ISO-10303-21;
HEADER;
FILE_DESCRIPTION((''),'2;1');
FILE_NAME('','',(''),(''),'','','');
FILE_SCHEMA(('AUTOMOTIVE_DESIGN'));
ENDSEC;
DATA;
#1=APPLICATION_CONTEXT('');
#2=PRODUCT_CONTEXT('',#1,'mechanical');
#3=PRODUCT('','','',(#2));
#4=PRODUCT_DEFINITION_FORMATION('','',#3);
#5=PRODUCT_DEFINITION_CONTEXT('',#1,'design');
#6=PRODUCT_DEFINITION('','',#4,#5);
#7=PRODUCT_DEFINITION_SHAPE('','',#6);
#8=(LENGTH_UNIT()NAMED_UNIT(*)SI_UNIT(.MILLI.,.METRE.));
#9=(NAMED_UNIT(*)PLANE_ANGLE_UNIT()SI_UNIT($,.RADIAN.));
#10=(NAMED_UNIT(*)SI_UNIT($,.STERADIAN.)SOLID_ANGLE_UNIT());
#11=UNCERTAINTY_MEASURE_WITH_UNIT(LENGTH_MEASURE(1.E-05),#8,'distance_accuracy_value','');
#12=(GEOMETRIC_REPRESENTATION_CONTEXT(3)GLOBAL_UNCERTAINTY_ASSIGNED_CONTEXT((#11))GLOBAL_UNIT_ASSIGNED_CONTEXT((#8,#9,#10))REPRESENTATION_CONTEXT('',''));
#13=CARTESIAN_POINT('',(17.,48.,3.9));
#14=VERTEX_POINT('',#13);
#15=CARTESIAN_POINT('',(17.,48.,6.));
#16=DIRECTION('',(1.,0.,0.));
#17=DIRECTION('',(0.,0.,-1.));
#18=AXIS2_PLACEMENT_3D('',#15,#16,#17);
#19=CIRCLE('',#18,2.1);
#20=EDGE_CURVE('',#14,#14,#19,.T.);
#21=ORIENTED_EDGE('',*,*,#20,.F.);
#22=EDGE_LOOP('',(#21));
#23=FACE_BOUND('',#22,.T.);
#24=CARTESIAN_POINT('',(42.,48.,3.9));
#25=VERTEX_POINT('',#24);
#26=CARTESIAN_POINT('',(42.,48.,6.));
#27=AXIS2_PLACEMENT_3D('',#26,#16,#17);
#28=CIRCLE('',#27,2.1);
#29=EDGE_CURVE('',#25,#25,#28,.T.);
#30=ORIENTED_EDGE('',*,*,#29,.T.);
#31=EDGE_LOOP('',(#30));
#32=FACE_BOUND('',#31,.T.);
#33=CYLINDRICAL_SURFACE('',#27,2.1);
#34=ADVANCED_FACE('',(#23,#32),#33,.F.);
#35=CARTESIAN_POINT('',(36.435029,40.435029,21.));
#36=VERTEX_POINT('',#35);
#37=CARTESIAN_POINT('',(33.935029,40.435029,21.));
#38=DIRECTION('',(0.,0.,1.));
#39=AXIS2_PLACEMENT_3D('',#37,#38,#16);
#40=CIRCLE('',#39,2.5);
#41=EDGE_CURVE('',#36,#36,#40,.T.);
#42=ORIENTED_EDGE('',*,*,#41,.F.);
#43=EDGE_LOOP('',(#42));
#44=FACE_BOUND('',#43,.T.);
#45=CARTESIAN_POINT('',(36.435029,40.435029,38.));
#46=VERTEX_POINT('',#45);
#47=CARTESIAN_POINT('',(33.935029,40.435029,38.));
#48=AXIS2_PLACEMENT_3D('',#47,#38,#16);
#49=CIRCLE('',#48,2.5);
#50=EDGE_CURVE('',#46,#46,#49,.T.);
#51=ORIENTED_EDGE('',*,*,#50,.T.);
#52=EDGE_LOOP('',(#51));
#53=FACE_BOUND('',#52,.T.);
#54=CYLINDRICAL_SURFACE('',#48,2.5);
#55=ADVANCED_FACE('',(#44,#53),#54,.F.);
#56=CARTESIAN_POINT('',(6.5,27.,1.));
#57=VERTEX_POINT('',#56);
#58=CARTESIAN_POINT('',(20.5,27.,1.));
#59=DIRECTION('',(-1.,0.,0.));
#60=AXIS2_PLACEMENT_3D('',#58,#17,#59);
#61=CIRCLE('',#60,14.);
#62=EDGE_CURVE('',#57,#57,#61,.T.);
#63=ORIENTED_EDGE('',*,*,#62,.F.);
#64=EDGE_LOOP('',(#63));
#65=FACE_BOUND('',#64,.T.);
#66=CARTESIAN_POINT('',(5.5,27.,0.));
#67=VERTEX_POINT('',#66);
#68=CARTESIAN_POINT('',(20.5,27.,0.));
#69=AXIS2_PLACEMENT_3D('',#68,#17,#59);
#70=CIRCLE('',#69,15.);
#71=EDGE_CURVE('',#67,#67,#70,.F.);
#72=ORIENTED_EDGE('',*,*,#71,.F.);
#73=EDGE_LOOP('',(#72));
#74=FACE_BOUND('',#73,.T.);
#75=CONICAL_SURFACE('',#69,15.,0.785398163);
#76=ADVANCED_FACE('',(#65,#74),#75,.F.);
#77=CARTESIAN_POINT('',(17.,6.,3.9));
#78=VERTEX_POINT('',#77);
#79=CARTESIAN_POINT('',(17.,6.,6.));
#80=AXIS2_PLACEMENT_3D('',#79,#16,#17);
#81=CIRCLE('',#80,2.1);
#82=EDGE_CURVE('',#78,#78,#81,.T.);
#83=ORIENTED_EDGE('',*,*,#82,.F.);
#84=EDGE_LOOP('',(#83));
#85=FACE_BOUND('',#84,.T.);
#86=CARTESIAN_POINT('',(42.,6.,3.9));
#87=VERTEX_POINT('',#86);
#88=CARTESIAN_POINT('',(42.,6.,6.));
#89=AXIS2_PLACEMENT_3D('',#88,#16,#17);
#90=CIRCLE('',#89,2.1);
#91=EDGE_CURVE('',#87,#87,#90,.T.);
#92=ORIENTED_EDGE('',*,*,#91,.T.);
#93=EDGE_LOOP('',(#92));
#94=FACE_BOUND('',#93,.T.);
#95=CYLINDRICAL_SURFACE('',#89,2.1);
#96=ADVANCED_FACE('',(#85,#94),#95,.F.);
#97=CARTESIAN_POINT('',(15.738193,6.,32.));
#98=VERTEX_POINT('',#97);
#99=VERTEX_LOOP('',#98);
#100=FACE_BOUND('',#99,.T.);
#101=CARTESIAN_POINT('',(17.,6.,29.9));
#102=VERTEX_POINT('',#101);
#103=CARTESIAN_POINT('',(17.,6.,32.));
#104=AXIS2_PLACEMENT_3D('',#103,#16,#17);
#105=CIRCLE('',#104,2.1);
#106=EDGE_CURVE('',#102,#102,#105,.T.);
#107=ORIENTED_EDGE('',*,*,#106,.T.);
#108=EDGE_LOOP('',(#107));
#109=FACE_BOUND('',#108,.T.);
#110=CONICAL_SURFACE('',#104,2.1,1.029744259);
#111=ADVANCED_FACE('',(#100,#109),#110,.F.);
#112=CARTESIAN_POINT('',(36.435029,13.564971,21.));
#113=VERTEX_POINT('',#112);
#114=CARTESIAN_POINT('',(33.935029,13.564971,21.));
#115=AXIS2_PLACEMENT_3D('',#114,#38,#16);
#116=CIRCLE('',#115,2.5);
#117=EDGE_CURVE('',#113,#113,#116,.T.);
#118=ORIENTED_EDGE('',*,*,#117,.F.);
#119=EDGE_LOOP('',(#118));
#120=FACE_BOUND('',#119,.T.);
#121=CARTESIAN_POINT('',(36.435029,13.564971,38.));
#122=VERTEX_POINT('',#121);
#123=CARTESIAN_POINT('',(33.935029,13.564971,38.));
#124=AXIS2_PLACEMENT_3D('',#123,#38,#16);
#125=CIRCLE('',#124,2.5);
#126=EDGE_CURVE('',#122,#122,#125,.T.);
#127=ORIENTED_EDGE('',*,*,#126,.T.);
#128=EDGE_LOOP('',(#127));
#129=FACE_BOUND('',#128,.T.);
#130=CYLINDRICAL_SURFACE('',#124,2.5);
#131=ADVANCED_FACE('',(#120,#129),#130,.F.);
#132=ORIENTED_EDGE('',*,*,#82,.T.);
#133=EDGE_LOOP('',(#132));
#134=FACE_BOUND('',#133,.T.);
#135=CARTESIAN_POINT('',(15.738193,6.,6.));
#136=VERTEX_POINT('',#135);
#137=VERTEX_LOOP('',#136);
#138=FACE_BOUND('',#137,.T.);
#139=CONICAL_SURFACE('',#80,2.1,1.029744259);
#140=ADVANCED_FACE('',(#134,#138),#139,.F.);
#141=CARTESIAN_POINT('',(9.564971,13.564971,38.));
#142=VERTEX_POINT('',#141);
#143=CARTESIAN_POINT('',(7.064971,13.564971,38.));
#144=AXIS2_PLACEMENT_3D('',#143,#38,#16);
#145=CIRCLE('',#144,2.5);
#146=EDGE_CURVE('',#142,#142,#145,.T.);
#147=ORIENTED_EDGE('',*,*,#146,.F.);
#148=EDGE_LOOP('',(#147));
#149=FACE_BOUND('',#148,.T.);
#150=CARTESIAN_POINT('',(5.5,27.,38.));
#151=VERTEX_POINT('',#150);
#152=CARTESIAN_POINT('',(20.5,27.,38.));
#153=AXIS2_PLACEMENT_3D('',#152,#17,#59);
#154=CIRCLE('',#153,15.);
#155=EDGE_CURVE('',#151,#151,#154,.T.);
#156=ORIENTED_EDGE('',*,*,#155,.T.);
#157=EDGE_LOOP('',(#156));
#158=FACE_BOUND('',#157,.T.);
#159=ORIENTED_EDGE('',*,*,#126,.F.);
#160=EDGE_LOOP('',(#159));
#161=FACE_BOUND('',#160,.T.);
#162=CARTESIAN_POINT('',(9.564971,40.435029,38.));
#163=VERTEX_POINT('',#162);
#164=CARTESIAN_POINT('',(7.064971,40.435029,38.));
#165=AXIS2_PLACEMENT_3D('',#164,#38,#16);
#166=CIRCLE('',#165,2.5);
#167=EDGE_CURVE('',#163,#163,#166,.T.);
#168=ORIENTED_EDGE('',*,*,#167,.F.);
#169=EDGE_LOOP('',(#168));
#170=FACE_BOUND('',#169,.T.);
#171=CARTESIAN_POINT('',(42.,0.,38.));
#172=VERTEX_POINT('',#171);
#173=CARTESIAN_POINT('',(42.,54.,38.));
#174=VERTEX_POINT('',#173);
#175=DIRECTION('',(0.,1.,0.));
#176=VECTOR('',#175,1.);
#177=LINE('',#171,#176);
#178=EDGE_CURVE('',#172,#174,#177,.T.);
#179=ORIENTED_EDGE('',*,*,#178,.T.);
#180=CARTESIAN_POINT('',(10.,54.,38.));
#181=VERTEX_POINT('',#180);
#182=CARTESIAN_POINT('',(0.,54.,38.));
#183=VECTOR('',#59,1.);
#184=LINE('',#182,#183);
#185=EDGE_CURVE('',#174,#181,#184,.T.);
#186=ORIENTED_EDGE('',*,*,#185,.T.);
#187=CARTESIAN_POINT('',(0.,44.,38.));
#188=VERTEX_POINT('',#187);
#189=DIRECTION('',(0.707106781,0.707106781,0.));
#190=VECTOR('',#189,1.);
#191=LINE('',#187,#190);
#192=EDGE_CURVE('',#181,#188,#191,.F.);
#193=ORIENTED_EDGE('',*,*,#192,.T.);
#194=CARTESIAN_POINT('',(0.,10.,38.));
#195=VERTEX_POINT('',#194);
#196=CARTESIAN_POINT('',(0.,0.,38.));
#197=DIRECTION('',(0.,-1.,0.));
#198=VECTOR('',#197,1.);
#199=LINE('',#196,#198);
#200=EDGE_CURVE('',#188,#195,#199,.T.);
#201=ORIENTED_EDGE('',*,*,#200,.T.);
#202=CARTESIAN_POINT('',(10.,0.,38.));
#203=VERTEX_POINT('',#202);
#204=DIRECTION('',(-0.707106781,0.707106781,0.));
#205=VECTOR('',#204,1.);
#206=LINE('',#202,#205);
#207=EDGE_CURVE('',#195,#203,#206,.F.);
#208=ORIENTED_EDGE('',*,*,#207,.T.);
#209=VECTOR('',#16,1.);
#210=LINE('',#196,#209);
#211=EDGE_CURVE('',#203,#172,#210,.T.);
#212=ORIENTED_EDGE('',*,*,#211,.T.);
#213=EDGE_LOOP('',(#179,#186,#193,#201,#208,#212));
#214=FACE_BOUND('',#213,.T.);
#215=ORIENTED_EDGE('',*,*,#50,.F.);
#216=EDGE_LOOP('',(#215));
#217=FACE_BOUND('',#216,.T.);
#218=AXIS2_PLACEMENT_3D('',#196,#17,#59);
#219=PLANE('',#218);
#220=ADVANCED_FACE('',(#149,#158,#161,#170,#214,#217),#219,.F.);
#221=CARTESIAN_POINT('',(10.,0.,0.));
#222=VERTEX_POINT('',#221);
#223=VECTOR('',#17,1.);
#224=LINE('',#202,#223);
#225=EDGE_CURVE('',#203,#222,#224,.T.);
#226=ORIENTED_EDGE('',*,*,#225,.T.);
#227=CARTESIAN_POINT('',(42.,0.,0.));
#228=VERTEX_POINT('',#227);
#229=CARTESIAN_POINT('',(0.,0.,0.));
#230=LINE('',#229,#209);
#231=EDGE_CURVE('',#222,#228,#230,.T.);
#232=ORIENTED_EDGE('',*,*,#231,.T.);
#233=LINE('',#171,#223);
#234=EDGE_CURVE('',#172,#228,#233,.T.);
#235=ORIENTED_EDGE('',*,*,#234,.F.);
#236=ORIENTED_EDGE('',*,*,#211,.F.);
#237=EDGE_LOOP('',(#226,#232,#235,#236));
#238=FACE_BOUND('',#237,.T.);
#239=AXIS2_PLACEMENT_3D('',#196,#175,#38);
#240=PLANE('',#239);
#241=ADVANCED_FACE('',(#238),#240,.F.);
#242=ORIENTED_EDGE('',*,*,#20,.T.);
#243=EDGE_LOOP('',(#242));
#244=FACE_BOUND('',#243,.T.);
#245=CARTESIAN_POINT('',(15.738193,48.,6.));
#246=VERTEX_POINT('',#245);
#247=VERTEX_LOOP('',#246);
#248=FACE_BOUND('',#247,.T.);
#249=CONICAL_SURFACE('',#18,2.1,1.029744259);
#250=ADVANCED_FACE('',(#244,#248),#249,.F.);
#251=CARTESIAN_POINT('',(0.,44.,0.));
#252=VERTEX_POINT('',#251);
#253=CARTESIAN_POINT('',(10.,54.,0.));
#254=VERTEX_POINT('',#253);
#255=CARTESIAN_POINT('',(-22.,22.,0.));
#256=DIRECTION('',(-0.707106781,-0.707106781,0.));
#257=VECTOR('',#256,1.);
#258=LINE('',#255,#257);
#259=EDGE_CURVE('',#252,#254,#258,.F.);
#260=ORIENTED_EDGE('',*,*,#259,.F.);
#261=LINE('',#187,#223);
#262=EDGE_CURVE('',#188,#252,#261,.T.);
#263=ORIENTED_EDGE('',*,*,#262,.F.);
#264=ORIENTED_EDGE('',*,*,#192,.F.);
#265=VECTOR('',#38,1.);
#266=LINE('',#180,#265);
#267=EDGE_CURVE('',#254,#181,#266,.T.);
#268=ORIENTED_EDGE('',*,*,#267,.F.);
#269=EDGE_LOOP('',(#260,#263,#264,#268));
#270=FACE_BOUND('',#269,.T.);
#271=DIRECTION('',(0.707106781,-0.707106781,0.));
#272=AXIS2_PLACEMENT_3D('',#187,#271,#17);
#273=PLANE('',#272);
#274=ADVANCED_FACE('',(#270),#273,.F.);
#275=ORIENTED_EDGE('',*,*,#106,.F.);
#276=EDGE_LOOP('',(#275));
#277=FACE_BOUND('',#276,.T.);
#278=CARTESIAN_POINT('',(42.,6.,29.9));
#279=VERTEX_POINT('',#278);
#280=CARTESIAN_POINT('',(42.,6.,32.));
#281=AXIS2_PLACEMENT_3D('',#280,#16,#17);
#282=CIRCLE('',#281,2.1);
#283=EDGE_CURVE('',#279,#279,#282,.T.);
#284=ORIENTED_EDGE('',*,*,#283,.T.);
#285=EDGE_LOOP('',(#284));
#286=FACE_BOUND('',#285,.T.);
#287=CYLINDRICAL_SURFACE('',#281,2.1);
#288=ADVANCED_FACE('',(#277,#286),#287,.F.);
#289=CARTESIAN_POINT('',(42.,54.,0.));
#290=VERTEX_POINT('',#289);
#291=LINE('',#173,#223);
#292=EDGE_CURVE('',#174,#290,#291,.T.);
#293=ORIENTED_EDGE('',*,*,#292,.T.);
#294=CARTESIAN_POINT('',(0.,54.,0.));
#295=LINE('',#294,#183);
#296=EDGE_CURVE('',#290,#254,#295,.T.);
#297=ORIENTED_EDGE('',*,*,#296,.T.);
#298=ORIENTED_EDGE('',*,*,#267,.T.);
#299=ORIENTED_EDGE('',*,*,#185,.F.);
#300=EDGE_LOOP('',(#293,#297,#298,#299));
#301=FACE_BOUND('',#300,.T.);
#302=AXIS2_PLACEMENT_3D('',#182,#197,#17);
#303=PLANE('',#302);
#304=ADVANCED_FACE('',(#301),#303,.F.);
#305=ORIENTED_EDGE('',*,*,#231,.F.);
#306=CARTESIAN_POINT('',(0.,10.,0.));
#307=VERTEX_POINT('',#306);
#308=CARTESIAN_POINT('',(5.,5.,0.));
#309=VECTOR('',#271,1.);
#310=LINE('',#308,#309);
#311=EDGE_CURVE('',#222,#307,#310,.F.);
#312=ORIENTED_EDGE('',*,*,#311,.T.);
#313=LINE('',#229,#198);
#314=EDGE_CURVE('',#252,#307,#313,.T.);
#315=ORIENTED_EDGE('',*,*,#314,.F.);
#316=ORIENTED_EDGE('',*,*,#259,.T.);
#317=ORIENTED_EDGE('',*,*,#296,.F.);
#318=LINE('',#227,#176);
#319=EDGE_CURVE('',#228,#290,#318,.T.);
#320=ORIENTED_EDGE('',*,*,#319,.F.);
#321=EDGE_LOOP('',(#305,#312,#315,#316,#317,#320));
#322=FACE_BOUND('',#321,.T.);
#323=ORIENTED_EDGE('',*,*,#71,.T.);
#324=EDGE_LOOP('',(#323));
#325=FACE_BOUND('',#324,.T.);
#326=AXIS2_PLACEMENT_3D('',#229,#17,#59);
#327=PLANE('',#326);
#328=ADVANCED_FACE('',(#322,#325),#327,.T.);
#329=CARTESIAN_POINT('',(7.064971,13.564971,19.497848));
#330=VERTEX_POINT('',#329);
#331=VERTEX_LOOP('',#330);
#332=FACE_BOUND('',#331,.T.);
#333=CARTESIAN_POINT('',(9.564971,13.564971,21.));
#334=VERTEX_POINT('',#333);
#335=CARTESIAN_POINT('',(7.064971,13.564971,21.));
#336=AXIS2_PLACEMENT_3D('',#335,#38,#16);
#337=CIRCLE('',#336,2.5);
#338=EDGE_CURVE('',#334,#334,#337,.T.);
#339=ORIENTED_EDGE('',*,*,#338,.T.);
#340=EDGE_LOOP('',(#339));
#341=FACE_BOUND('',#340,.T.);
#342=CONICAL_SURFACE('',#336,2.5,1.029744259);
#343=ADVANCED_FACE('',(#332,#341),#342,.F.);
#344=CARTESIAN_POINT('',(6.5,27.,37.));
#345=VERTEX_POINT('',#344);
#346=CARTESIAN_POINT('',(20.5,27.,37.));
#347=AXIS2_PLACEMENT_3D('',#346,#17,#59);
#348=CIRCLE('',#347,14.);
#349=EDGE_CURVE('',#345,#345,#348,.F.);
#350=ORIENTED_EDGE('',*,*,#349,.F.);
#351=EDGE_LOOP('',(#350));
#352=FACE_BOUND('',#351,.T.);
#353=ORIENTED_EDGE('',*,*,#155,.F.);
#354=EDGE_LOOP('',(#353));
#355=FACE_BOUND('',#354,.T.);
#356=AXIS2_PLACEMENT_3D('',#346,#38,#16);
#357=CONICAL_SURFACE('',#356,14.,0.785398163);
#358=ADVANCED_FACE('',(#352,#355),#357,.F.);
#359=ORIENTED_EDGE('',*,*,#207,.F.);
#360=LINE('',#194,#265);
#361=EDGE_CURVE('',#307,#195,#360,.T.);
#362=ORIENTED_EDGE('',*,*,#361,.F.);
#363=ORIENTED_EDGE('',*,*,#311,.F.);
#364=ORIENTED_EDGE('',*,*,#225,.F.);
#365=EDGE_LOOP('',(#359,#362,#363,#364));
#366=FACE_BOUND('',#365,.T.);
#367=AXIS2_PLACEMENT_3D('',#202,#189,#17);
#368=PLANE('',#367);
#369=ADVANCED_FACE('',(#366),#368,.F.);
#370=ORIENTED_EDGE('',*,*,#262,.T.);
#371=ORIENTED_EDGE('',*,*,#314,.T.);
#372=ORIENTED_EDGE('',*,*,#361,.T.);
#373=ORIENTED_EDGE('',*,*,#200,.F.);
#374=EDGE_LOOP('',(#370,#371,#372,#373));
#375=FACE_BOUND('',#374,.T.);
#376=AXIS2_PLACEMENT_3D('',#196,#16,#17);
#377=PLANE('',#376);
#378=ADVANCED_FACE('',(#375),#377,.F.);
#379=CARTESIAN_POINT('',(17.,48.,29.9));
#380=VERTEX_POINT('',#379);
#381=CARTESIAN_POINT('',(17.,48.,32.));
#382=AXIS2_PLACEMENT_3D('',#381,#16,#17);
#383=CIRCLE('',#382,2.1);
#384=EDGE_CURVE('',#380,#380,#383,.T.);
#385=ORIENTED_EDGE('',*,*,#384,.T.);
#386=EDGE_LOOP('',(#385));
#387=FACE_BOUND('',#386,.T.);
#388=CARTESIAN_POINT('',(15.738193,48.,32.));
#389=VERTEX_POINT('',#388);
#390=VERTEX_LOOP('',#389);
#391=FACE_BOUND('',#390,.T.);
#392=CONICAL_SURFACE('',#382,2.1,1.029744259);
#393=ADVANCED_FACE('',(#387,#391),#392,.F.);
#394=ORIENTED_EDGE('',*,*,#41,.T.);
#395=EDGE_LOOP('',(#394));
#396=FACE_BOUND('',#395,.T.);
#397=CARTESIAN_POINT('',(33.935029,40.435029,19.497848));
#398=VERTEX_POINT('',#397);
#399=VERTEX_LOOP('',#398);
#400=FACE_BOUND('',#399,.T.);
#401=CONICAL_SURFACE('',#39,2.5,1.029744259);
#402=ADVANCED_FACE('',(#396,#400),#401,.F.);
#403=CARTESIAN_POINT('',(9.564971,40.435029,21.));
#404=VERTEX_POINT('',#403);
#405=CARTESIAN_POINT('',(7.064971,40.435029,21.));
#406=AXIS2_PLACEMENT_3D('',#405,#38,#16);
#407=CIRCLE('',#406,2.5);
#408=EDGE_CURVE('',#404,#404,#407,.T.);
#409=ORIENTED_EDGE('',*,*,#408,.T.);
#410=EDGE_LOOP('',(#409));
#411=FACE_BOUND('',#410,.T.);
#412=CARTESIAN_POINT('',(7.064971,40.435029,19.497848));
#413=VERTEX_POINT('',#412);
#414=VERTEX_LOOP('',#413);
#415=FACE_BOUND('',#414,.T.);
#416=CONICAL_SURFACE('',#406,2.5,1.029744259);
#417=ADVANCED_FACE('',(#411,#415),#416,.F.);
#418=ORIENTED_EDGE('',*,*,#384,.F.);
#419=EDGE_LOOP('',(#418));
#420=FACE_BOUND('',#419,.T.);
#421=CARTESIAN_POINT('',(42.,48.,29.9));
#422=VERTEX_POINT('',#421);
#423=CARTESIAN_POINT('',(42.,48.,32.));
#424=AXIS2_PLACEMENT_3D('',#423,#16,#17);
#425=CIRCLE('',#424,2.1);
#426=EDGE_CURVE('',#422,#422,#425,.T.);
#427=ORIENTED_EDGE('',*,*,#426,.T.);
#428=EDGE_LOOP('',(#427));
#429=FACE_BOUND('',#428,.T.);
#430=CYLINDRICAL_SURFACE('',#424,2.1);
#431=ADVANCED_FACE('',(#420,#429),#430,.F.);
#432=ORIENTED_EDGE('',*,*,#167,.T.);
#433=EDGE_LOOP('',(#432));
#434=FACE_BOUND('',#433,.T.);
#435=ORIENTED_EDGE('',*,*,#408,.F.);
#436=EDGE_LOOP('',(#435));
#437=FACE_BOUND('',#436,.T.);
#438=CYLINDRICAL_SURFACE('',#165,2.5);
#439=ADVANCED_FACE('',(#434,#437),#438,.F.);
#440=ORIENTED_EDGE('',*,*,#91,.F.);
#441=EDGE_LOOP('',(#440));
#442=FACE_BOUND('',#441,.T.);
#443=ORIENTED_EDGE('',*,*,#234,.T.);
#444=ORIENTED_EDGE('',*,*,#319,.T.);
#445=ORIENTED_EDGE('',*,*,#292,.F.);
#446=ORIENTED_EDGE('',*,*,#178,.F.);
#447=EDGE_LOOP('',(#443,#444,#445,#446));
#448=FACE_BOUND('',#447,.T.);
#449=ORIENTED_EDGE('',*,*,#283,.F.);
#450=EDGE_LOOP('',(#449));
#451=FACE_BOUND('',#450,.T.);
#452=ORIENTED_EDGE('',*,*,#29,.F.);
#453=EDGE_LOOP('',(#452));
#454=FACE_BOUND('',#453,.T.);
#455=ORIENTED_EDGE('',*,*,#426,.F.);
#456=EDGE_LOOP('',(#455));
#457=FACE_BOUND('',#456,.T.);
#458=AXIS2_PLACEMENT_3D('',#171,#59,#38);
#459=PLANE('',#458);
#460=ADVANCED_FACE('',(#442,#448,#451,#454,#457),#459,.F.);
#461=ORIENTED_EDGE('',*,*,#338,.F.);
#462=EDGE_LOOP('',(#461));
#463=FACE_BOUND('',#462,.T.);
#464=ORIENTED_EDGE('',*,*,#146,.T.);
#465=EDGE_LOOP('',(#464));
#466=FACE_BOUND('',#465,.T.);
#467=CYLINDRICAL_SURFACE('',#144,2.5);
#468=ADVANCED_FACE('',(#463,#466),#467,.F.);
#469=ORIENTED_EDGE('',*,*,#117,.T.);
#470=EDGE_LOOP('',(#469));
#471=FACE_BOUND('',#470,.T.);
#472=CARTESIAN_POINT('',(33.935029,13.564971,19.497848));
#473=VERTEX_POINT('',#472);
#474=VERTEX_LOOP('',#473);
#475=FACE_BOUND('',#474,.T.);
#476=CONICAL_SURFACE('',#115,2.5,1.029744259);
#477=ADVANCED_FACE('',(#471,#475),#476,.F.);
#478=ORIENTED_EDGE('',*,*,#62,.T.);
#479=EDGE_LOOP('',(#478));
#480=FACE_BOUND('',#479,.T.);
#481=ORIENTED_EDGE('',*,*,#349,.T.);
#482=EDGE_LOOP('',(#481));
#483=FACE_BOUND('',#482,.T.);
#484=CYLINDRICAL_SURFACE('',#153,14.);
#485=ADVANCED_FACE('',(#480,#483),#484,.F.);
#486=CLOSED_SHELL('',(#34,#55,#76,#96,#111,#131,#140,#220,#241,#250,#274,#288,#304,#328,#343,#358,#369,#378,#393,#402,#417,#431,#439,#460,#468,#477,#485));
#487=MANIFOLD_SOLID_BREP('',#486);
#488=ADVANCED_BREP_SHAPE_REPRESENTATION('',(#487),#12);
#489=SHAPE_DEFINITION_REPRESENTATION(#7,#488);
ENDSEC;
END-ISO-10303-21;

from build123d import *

# Parameters (mm, degrees)
SZKIC1_W                       = 42
SZKIC1_H                       = 54
SZKIC1_R                       = 14
DODANIE_WYCI_GNI_CIE1_DEPTH    = 38
SFAZOWANIE1_SIZE               = 1
OTW_R_GWINTOWANY_M6X1_01_D     = 5
OTW_R_GWINTOWANY_M6X1_01_DEPTH = 17
OTW_R_GWINTOWANY_M6X1_01_TIP   = 1.502151548
OTW_R_GWINTOWANY_M5X0_81_D     = 4.2
OTW_R_GWINTOWANY_M5X0_81_DEPTH = 25
OTW_R_GWINTOWANY_M5X0_81_TIP   = 1.2618073
SFAZOWANIE2_SIZE               = 10


with BuildPart() as part:
    # Szkic1 → Dodanie-wyciągnięcie1 (new body)
    with BuildSketch(Plane.XY):
        with Locations((21, 27)):
            Rectangle(SZKIC1_W, SZKIC1_H)
        with Locations((20.5, 27)):
            Circle(SZKIC1_R, mode=Mode.SUBTRACT)
    extrude(amount=DODANIE_WYCI_GNI_CIE1_DEPTH)

    # Sfazowanie1
    sfazowanie1_edges = [part.edges().sort_by_distance(p)[0] for p in [
        (6.5, 27, 0),
        (6.5, 27, 38),
    ]]
    chamfer(sfazowanie1_edges, length=SFAZOWANIE1_SIZE)

    # Otwór gwintowany M6x1.01
    with Locations(Plane.XY.offset(38)):
        with Locations((33.935028843, 40.435028843), (7.064971157, 40.435028843), (7.064971157, 13.564971157), (33.935028843, 13.564971157)):
            Hole(OTW_R_GWINTOWANY_M6X1_01_D / 2, depth=OTW_R_GWINTOWANY_M6X1_01_DEPTH)
            with Locations((0, 0, -(OTW_R_GWINTOWANY_M6X1_01_DEPTH + OTW_R_GWINTOWANY_M6X1_01_TIP / 2))):  # 118° drill point
                Cone(0, OTW_R_GWINTOWANY_M6X1_01_D / 2, OTW_R_GWINTOWANY_M6X1_01_TIP, mode=Mode.SUBTRACT)

    # Otwór gwintowany M5x0.81
    with Locations(Plane(origin=(42, 0, 0), x_dir=(0, 0, -1), z_dir=(1, 0, 0))):
        with Locations((-32, 48), (-6, 48), (-6, 6), (-32, 6)):
            Hole(OTW_R_GWINTOWANY_M5X0_81_D / 2, depth=OTW_R_GWINTOWANY_M5X0_81_DEPTH)
            with Locations((0, 0, -(OTW_R_GWINTOWANY_M5X0_81_DEPTH + OTW_R_GWINTOWANY_M5X0_81_TIP / 2))):  # 118° drill point
                Cone(0, OTW_R_GWINTOWANY_M5X0_81_D / 2, OTW_R_GWINTOWANY_M5X0_81_TIP, mode=Mode.SUBTRACT)

    # Sfazowanie2
    sfazowanie2_edges = [part.edges().sort_by_distance(p)[0] for p in [
        (0, 54, 19),
        (0, 0, 19),
    ]]
    chamfer(sfazowanie2_edges, length=SFAZOWANIE2_SIZE)


solid = part.part
